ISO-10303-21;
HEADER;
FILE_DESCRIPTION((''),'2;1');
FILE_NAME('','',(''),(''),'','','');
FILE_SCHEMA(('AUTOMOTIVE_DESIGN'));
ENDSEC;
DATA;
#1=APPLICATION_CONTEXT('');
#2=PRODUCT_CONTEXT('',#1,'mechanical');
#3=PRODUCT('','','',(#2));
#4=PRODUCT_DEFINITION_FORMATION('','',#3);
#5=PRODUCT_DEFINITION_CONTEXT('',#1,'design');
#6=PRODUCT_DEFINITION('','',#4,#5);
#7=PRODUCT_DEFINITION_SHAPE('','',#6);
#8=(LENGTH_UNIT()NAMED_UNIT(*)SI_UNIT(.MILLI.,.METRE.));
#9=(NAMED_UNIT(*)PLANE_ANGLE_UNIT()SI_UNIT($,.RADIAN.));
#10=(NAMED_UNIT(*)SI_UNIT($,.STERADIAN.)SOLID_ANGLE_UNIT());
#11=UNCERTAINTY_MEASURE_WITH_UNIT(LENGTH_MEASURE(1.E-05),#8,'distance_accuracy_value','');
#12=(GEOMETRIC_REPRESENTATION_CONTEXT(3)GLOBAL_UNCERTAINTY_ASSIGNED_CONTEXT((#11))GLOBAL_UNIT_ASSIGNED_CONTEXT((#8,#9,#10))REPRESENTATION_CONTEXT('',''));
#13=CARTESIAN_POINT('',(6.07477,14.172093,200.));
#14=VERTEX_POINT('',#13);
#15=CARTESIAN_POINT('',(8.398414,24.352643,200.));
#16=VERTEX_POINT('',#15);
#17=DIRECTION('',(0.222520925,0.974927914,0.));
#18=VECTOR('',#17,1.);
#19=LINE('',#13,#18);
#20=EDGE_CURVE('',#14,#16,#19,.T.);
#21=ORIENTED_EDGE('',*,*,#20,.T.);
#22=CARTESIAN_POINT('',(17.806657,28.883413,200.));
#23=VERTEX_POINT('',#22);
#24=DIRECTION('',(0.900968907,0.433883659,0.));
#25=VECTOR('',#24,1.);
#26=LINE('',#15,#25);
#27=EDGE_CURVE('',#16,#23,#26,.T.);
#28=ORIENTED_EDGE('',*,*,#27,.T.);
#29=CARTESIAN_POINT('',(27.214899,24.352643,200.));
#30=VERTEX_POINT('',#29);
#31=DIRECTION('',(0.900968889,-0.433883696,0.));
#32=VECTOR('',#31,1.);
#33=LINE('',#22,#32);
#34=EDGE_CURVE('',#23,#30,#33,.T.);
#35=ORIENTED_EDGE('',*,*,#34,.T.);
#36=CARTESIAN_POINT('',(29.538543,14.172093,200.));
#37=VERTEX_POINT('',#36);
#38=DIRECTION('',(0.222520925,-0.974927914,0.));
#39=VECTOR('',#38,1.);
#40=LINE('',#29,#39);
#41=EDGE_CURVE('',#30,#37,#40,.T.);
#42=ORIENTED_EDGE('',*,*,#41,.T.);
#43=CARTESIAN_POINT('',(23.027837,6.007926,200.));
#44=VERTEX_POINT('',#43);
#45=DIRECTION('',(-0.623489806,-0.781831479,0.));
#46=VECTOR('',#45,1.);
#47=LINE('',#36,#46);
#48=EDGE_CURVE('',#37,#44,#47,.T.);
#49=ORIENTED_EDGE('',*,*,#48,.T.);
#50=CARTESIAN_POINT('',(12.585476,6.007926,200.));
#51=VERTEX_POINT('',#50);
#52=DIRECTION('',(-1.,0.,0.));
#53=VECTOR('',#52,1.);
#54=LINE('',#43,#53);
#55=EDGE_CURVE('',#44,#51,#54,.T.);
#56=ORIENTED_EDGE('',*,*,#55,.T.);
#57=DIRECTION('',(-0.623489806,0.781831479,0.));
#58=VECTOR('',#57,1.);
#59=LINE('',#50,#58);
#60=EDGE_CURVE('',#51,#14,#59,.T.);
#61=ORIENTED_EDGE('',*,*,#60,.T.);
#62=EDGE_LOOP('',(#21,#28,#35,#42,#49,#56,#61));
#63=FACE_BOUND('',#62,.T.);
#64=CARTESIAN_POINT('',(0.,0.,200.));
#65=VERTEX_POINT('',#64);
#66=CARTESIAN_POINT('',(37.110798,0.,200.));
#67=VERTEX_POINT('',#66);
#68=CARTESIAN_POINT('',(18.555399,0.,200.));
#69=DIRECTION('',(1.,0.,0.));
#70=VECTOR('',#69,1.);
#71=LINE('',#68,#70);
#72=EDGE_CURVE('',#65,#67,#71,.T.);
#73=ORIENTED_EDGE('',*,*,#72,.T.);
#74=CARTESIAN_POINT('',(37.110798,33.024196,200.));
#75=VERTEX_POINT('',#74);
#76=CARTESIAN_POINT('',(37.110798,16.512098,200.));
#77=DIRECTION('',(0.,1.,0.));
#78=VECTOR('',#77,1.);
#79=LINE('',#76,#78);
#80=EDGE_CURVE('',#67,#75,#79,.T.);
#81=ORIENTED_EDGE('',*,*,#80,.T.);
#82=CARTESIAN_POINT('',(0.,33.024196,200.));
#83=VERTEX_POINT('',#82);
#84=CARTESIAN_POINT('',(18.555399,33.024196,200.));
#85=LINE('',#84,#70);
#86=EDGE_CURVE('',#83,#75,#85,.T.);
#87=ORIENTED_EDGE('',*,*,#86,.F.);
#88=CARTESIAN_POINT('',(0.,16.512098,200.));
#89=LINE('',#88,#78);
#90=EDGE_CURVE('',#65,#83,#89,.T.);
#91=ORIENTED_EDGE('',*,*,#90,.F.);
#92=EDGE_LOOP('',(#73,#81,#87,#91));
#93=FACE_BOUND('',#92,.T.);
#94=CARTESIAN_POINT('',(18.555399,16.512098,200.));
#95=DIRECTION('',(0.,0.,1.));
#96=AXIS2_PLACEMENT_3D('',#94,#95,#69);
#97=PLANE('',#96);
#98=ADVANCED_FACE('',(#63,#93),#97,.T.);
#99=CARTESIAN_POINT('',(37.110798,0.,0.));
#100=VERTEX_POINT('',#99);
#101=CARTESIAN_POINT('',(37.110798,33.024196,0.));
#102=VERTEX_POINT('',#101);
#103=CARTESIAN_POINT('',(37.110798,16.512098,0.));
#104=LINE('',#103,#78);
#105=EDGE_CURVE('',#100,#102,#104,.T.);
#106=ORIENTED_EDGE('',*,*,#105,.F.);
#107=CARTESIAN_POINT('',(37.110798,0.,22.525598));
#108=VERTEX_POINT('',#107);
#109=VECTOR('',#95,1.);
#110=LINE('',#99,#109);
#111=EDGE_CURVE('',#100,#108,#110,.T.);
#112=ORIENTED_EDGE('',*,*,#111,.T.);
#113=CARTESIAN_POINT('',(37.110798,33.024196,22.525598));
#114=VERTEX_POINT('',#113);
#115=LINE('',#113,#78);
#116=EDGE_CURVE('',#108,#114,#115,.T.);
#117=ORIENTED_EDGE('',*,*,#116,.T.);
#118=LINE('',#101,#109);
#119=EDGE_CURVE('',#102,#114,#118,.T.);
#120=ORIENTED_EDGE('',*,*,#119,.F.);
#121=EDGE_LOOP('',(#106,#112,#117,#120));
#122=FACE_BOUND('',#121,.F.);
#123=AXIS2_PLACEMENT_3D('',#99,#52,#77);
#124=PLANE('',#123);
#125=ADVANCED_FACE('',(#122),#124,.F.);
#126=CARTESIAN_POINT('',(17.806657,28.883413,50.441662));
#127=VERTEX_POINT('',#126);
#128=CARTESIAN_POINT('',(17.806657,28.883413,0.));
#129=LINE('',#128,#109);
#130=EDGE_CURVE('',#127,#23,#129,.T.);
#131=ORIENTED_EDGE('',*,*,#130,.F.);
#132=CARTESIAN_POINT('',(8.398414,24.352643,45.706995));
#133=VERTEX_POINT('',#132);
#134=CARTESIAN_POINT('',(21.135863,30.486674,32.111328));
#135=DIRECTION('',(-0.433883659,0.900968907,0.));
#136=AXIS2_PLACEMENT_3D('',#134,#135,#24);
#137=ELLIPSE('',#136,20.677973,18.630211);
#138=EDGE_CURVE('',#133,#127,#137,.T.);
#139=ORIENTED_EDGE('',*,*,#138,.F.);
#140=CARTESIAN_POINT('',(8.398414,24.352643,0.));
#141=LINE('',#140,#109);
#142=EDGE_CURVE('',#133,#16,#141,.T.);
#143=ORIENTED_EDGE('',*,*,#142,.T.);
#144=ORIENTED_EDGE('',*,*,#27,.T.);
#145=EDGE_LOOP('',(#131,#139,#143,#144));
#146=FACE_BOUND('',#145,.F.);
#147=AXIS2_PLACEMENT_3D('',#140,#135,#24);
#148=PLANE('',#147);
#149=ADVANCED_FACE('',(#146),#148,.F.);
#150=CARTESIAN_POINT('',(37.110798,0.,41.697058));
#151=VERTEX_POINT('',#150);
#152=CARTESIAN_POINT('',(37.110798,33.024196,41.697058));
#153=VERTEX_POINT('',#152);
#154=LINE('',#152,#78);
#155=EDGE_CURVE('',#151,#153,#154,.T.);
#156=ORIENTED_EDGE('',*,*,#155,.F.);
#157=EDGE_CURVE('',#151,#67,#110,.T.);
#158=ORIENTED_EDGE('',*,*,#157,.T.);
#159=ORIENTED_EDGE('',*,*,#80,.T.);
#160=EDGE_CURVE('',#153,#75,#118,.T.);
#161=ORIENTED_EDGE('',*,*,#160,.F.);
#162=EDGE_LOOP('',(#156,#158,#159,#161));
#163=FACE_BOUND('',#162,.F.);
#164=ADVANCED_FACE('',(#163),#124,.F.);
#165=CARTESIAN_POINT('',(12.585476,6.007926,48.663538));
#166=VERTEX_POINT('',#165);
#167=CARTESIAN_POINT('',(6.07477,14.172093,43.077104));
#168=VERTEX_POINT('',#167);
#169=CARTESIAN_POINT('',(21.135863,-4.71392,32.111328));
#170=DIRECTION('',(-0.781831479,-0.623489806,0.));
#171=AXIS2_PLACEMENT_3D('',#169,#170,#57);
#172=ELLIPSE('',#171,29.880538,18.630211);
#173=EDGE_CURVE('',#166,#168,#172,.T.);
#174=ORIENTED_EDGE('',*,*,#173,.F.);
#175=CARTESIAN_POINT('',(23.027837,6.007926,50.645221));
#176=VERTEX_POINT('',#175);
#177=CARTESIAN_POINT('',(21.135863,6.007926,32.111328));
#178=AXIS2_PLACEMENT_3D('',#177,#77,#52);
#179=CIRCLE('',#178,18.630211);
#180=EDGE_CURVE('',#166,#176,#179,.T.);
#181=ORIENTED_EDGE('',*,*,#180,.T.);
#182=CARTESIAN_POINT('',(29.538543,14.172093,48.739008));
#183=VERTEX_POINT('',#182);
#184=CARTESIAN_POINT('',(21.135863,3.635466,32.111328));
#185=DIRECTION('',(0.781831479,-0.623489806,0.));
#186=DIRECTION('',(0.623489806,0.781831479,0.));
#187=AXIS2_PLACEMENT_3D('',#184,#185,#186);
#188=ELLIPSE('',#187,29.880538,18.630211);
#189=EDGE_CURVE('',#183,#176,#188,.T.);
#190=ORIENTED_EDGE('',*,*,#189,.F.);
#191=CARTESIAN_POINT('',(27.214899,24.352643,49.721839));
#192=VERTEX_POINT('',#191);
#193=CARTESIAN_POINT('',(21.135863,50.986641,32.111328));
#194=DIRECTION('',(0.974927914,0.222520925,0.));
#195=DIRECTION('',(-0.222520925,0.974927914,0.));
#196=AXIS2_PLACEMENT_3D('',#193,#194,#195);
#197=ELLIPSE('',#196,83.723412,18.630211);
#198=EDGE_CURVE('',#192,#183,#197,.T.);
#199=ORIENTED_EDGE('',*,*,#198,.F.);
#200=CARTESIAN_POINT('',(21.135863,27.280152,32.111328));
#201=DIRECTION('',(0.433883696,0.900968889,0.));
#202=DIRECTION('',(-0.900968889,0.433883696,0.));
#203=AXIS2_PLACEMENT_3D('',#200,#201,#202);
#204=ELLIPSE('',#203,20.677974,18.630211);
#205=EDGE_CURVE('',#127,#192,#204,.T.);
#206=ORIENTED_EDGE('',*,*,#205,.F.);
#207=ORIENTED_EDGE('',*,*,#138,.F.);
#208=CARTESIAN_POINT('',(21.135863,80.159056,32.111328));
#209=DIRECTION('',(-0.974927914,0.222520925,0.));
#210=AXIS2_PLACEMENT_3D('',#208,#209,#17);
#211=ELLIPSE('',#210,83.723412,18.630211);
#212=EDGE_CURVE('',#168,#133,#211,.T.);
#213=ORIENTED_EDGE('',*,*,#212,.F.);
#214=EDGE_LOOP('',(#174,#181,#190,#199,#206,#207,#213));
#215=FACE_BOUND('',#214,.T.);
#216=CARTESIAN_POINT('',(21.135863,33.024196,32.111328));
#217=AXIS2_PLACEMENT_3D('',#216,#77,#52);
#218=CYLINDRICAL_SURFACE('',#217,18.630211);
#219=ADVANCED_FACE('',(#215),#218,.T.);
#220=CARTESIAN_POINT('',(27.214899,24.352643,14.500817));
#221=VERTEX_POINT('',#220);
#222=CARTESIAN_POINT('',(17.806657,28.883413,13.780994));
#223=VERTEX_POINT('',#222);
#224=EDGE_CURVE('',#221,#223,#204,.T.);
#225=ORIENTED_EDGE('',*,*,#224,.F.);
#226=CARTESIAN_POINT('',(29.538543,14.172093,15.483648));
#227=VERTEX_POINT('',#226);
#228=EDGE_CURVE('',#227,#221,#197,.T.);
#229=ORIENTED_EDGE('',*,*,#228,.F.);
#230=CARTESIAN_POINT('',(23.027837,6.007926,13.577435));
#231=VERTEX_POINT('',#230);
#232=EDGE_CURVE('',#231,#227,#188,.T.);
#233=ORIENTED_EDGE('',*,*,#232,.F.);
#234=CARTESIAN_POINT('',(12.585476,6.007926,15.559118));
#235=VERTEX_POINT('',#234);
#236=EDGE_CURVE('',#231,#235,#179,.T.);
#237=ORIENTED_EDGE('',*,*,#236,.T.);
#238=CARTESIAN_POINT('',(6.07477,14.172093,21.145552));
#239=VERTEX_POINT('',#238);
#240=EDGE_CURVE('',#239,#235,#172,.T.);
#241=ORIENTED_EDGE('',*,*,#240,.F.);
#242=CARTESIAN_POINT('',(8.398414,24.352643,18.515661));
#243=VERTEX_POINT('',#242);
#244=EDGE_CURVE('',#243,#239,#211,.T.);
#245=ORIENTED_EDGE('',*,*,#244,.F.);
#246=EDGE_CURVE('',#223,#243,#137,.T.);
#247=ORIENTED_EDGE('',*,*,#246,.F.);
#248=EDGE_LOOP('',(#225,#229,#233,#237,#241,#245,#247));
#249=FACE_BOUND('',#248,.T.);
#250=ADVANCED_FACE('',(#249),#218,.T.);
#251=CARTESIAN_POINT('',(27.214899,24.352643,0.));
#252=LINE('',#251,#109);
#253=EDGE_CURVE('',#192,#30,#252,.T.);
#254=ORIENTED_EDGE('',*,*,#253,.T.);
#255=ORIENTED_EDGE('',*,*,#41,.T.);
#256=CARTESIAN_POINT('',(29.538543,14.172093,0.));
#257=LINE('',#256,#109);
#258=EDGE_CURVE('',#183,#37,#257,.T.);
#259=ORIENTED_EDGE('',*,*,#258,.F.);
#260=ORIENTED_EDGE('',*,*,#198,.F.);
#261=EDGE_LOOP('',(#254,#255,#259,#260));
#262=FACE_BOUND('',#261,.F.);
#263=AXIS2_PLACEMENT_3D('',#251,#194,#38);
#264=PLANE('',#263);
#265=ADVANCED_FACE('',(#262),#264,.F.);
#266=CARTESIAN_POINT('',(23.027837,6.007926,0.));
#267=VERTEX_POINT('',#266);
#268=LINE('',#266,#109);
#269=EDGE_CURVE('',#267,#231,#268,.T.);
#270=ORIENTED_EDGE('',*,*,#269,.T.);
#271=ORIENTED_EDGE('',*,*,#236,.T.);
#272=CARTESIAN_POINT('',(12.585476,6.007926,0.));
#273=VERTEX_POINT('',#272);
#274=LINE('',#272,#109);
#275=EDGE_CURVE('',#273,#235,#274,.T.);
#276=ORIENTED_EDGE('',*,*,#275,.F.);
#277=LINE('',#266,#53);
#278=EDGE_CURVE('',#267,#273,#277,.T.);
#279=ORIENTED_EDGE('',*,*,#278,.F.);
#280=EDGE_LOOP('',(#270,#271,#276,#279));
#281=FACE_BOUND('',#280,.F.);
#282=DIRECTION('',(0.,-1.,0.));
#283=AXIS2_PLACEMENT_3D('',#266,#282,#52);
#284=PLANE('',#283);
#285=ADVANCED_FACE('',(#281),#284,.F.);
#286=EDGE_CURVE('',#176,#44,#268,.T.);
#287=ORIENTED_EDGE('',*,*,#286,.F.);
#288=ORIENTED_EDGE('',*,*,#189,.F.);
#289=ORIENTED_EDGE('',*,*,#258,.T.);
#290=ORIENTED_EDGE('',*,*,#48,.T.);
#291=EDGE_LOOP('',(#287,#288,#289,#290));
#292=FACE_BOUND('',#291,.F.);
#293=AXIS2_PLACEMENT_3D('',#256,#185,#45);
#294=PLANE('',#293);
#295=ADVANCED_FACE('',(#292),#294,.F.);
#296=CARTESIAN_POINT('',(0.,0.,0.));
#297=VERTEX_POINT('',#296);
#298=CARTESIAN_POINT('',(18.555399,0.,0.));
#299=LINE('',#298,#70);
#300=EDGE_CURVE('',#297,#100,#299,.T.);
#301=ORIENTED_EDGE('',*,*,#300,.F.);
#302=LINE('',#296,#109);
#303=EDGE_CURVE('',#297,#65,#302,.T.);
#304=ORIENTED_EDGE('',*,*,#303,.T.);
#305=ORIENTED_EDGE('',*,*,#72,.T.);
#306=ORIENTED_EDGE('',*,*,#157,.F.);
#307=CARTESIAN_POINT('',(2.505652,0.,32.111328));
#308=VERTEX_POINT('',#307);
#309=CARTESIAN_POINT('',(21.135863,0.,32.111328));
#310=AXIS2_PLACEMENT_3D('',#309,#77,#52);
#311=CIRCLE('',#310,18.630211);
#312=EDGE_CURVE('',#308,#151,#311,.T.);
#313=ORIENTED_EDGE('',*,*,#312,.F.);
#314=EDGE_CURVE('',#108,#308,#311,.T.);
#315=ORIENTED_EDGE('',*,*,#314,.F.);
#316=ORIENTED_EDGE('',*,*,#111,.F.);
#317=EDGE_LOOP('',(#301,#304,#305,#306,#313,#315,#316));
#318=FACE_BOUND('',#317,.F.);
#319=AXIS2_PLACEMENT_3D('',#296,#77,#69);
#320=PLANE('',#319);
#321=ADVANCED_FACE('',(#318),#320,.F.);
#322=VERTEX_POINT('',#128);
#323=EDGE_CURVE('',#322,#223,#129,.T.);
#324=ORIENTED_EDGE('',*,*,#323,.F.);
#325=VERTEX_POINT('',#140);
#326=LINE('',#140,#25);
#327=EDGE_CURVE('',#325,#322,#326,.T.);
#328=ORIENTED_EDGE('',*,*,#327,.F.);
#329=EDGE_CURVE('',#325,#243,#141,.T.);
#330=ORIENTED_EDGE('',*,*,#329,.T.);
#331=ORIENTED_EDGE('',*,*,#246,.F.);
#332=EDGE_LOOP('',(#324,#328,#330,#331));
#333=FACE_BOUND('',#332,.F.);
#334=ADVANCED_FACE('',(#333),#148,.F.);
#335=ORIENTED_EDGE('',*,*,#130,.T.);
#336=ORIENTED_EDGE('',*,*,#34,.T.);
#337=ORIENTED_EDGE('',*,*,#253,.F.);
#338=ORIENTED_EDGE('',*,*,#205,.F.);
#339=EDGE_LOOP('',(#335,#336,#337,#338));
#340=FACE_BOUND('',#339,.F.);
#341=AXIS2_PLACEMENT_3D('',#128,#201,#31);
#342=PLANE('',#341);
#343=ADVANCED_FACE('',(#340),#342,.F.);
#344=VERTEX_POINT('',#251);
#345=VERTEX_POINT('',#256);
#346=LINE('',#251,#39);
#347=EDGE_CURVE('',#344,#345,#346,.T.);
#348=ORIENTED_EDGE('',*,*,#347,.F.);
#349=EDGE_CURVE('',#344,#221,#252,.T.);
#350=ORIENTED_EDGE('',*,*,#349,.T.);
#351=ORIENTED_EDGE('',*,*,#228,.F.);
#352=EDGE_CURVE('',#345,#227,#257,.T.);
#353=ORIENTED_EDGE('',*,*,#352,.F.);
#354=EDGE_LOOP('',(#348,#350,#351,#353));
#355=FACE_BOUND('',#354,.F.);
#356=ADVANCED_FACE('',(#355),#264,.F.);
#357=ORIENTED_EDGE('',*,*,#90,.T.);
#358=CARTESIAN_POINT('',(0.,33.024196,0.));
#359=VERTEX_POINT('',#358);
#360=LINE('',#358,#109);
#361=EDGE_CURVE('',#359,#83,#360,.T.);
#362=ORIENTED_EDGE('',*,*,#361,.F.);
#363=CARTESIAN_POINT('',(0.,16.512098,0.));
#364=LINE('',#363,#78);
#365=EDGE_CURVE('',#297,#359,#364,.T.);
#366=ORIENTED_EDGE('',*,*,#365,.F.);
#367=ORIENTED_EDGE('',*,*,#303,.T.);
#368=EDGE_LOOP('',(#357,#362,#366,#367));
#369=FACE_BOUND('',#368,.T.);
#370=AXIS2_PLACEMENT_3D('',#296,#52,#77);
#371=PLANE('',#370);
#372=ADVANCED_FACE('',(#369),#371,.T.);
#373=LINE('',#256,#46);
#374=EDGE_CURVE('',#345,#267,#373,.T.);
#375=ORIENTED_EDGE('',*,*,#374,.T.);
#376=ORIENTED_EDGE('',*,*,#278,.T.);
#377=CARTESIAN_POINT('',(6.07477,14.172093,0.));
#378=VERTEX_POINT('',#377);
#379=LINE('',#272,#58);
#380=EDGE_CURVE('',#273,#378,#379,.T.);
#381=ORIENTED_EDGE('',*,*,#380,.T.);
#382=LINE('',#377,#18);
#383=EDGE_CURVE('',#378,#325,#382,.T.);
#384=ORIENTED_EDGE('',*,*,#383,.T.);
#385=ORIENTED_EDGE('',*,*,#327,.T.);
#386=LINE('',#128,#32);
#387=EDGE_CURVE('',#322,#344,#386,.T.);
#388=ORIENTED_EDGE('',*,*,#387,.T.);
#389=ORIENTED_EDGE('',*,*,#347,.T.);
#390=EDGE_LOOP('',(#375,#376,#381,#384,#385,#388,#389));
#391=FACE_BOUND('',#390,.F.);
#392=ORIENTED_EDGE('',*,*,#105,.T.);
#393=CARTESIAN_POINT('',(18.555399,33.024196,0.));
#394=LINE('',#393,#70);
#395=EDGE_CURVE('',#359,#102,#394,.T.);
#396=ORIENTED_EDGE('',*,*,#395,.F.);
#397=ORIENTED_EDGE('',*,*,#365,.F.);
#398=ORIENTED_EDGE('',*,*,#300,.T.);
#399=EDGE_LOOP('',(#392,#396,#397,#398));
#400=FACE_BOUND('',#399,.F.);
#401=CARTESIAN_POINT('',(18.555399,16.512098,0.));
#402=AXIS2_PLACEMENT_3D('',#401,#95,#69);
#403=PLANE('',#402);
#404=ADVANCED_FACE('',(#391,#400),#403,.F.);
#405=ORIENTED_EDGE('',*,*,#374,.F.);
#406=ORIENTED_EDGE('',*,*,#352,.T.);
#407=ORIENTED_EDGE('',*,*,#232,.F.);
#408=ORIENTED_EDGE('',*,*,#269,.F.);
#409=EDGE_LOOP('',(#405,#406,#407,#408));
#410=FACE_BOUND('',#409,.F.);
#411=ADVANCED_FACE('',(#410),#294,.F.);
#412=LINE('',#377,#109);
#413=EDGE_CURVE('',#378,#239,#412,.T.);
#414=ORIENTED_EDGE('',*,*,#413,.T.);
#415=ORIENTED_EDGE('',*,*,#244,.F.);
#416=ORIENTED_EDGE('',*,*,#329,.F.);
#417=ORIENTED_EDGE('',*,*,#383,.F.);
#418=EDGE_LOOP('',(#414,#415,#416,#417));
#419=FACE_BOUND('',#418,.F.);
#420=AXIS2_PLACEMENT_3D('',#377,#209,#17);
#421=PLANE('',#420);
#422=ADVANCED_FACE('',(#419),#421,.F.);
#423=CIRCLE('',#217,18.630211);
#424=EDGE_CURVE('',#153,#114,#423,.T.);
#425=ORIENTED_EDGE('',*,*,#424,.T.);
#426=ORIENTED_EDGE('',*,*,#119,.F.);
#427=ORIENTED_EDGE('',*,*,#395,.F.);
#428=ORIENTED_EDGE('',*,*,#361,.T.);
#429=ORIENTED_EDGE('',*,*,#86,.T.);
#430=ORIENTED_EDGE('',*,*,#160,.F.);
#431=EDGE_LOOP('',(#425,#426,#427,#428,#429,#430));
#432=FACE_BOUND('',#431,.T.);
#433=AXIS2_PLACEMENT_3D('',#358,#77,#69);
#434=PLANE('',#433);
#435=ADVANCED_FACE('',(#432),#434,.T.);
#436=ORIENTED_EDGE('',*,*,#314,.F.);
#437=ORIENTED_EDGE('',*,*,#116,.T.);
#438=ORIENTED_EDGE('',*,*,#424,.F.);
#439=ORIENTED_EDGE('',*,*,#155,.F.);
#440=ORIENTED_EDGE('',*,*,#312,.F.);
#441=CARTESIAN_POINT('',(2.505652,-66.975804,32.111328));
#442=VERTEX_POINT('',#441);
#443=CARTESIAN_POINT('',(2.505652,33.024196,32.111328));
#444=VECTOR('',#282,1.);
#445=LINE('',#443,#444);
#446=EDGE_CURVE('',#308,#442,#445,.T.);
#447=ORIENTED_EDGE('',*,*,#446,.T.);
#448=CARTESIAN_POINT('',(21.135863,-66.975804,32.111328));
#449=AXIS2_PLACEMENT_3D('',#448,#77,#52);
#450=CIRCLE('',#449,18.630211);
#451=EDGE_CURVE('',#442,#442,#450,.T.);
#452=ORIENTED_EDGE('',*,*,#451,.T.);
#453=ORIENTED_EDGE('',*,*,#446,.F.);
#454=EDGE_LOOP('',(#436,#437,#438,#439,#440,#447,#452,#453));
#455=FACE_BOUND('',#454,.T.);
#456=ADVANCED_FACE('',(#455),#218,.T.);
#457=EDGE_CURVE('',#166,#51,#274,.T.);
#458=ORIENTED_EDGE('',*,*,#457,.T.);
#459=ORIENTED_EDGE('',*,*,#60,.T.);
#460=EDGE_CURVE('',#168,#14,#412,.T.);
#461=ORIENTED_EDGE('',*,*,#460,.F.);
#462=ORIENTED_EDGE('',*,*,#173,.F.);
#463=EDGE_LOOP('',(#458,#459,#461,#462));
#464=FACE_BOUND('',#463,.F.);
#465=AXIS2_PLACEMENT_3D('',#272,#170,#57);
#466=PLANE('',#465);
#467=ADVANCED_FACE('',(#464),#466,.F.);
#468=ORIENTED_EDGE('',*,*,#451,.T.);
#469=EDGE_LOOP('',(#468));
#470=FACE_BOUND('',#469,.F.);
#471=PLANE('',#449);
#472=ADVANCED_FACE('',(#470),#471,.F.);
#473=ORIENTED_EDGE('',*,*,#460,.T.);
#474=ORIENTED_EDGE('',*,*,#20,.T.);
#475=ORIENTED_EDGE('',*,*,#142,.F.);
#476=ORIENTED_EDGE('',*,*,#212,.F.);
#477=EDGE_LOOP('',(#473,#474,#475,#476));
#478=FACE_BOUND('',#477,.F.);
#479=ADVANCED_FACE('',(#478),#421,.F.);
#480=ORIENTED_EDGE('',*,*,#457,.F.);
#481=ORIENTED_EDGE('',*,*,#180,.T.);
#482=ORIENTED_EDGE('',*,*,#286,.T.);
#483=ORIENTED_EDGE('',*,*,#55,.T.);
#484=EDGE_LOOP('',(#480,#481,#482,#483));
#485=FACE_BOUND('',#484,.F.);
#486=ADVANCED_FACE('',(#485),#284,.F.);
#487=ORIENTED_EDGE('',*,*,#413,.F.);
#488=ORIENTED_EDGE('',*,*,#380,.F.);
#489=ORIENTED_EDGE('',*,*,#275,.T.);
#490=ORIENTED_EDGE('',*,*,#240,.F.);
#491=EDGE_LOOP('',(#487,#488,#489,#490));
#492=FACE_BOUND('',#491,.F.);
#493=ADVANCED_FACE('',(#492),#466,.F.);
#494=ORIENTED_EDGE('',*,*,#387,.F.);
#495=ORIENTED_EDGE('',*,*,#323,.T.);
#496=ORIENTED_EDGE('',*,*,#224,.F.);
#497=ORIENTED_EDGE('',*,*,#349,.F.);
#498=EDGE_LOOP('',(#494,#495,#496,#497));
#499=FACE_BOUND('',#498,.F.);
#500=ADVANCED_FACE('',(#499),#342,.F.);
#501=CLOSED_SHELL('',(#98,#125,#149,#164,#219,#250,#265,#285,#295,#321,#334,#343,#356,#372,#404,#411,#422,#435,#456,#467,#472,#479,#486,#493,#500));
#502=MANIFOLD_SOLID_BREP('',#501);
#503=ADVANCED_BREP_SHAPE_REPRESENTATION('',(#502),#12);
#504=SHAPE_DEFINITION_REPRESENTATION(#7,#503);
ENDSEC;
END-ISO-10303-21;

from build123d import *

# Parameters (mm, degrees)
F0_W     = 37.110798
F0_H     = 33.024196
F1_DEPTH = 200
F2_R     = 18.630211
F3_DEPTH = 100


with BuildPart() as f1:
    # F0 (on Top) → F1 (new body)
    with BuildSketch(Plane.XY):
        with Locations((18.555399, 16.512098)):
            Rectangle(F0_W, F0_H)
        Polygon((29.538543, 14.172093), (23.027837, 6.007926), (12.585476, 6.007926), (6.07477, 14.172093), (8.398414, 24.352643), (17.806657, 28.883413), (27.214899, 24.352643), align=None, mode=Mode.SUBTRACT)
    extrude(amount=F1_DEPTH)

    # F2 (on face) → F3 (join)
    with BuildSketch(Plane(origin=(0, 33.024196, 0), x_dir=(-1, 0, 0), z_dir=(0, 1, 0))):
        with Locations((-21.135863, 32.111328)):
            Circle(F2_R)
    extrude(amount=-F3_DEPTH)


solid = f1.part
